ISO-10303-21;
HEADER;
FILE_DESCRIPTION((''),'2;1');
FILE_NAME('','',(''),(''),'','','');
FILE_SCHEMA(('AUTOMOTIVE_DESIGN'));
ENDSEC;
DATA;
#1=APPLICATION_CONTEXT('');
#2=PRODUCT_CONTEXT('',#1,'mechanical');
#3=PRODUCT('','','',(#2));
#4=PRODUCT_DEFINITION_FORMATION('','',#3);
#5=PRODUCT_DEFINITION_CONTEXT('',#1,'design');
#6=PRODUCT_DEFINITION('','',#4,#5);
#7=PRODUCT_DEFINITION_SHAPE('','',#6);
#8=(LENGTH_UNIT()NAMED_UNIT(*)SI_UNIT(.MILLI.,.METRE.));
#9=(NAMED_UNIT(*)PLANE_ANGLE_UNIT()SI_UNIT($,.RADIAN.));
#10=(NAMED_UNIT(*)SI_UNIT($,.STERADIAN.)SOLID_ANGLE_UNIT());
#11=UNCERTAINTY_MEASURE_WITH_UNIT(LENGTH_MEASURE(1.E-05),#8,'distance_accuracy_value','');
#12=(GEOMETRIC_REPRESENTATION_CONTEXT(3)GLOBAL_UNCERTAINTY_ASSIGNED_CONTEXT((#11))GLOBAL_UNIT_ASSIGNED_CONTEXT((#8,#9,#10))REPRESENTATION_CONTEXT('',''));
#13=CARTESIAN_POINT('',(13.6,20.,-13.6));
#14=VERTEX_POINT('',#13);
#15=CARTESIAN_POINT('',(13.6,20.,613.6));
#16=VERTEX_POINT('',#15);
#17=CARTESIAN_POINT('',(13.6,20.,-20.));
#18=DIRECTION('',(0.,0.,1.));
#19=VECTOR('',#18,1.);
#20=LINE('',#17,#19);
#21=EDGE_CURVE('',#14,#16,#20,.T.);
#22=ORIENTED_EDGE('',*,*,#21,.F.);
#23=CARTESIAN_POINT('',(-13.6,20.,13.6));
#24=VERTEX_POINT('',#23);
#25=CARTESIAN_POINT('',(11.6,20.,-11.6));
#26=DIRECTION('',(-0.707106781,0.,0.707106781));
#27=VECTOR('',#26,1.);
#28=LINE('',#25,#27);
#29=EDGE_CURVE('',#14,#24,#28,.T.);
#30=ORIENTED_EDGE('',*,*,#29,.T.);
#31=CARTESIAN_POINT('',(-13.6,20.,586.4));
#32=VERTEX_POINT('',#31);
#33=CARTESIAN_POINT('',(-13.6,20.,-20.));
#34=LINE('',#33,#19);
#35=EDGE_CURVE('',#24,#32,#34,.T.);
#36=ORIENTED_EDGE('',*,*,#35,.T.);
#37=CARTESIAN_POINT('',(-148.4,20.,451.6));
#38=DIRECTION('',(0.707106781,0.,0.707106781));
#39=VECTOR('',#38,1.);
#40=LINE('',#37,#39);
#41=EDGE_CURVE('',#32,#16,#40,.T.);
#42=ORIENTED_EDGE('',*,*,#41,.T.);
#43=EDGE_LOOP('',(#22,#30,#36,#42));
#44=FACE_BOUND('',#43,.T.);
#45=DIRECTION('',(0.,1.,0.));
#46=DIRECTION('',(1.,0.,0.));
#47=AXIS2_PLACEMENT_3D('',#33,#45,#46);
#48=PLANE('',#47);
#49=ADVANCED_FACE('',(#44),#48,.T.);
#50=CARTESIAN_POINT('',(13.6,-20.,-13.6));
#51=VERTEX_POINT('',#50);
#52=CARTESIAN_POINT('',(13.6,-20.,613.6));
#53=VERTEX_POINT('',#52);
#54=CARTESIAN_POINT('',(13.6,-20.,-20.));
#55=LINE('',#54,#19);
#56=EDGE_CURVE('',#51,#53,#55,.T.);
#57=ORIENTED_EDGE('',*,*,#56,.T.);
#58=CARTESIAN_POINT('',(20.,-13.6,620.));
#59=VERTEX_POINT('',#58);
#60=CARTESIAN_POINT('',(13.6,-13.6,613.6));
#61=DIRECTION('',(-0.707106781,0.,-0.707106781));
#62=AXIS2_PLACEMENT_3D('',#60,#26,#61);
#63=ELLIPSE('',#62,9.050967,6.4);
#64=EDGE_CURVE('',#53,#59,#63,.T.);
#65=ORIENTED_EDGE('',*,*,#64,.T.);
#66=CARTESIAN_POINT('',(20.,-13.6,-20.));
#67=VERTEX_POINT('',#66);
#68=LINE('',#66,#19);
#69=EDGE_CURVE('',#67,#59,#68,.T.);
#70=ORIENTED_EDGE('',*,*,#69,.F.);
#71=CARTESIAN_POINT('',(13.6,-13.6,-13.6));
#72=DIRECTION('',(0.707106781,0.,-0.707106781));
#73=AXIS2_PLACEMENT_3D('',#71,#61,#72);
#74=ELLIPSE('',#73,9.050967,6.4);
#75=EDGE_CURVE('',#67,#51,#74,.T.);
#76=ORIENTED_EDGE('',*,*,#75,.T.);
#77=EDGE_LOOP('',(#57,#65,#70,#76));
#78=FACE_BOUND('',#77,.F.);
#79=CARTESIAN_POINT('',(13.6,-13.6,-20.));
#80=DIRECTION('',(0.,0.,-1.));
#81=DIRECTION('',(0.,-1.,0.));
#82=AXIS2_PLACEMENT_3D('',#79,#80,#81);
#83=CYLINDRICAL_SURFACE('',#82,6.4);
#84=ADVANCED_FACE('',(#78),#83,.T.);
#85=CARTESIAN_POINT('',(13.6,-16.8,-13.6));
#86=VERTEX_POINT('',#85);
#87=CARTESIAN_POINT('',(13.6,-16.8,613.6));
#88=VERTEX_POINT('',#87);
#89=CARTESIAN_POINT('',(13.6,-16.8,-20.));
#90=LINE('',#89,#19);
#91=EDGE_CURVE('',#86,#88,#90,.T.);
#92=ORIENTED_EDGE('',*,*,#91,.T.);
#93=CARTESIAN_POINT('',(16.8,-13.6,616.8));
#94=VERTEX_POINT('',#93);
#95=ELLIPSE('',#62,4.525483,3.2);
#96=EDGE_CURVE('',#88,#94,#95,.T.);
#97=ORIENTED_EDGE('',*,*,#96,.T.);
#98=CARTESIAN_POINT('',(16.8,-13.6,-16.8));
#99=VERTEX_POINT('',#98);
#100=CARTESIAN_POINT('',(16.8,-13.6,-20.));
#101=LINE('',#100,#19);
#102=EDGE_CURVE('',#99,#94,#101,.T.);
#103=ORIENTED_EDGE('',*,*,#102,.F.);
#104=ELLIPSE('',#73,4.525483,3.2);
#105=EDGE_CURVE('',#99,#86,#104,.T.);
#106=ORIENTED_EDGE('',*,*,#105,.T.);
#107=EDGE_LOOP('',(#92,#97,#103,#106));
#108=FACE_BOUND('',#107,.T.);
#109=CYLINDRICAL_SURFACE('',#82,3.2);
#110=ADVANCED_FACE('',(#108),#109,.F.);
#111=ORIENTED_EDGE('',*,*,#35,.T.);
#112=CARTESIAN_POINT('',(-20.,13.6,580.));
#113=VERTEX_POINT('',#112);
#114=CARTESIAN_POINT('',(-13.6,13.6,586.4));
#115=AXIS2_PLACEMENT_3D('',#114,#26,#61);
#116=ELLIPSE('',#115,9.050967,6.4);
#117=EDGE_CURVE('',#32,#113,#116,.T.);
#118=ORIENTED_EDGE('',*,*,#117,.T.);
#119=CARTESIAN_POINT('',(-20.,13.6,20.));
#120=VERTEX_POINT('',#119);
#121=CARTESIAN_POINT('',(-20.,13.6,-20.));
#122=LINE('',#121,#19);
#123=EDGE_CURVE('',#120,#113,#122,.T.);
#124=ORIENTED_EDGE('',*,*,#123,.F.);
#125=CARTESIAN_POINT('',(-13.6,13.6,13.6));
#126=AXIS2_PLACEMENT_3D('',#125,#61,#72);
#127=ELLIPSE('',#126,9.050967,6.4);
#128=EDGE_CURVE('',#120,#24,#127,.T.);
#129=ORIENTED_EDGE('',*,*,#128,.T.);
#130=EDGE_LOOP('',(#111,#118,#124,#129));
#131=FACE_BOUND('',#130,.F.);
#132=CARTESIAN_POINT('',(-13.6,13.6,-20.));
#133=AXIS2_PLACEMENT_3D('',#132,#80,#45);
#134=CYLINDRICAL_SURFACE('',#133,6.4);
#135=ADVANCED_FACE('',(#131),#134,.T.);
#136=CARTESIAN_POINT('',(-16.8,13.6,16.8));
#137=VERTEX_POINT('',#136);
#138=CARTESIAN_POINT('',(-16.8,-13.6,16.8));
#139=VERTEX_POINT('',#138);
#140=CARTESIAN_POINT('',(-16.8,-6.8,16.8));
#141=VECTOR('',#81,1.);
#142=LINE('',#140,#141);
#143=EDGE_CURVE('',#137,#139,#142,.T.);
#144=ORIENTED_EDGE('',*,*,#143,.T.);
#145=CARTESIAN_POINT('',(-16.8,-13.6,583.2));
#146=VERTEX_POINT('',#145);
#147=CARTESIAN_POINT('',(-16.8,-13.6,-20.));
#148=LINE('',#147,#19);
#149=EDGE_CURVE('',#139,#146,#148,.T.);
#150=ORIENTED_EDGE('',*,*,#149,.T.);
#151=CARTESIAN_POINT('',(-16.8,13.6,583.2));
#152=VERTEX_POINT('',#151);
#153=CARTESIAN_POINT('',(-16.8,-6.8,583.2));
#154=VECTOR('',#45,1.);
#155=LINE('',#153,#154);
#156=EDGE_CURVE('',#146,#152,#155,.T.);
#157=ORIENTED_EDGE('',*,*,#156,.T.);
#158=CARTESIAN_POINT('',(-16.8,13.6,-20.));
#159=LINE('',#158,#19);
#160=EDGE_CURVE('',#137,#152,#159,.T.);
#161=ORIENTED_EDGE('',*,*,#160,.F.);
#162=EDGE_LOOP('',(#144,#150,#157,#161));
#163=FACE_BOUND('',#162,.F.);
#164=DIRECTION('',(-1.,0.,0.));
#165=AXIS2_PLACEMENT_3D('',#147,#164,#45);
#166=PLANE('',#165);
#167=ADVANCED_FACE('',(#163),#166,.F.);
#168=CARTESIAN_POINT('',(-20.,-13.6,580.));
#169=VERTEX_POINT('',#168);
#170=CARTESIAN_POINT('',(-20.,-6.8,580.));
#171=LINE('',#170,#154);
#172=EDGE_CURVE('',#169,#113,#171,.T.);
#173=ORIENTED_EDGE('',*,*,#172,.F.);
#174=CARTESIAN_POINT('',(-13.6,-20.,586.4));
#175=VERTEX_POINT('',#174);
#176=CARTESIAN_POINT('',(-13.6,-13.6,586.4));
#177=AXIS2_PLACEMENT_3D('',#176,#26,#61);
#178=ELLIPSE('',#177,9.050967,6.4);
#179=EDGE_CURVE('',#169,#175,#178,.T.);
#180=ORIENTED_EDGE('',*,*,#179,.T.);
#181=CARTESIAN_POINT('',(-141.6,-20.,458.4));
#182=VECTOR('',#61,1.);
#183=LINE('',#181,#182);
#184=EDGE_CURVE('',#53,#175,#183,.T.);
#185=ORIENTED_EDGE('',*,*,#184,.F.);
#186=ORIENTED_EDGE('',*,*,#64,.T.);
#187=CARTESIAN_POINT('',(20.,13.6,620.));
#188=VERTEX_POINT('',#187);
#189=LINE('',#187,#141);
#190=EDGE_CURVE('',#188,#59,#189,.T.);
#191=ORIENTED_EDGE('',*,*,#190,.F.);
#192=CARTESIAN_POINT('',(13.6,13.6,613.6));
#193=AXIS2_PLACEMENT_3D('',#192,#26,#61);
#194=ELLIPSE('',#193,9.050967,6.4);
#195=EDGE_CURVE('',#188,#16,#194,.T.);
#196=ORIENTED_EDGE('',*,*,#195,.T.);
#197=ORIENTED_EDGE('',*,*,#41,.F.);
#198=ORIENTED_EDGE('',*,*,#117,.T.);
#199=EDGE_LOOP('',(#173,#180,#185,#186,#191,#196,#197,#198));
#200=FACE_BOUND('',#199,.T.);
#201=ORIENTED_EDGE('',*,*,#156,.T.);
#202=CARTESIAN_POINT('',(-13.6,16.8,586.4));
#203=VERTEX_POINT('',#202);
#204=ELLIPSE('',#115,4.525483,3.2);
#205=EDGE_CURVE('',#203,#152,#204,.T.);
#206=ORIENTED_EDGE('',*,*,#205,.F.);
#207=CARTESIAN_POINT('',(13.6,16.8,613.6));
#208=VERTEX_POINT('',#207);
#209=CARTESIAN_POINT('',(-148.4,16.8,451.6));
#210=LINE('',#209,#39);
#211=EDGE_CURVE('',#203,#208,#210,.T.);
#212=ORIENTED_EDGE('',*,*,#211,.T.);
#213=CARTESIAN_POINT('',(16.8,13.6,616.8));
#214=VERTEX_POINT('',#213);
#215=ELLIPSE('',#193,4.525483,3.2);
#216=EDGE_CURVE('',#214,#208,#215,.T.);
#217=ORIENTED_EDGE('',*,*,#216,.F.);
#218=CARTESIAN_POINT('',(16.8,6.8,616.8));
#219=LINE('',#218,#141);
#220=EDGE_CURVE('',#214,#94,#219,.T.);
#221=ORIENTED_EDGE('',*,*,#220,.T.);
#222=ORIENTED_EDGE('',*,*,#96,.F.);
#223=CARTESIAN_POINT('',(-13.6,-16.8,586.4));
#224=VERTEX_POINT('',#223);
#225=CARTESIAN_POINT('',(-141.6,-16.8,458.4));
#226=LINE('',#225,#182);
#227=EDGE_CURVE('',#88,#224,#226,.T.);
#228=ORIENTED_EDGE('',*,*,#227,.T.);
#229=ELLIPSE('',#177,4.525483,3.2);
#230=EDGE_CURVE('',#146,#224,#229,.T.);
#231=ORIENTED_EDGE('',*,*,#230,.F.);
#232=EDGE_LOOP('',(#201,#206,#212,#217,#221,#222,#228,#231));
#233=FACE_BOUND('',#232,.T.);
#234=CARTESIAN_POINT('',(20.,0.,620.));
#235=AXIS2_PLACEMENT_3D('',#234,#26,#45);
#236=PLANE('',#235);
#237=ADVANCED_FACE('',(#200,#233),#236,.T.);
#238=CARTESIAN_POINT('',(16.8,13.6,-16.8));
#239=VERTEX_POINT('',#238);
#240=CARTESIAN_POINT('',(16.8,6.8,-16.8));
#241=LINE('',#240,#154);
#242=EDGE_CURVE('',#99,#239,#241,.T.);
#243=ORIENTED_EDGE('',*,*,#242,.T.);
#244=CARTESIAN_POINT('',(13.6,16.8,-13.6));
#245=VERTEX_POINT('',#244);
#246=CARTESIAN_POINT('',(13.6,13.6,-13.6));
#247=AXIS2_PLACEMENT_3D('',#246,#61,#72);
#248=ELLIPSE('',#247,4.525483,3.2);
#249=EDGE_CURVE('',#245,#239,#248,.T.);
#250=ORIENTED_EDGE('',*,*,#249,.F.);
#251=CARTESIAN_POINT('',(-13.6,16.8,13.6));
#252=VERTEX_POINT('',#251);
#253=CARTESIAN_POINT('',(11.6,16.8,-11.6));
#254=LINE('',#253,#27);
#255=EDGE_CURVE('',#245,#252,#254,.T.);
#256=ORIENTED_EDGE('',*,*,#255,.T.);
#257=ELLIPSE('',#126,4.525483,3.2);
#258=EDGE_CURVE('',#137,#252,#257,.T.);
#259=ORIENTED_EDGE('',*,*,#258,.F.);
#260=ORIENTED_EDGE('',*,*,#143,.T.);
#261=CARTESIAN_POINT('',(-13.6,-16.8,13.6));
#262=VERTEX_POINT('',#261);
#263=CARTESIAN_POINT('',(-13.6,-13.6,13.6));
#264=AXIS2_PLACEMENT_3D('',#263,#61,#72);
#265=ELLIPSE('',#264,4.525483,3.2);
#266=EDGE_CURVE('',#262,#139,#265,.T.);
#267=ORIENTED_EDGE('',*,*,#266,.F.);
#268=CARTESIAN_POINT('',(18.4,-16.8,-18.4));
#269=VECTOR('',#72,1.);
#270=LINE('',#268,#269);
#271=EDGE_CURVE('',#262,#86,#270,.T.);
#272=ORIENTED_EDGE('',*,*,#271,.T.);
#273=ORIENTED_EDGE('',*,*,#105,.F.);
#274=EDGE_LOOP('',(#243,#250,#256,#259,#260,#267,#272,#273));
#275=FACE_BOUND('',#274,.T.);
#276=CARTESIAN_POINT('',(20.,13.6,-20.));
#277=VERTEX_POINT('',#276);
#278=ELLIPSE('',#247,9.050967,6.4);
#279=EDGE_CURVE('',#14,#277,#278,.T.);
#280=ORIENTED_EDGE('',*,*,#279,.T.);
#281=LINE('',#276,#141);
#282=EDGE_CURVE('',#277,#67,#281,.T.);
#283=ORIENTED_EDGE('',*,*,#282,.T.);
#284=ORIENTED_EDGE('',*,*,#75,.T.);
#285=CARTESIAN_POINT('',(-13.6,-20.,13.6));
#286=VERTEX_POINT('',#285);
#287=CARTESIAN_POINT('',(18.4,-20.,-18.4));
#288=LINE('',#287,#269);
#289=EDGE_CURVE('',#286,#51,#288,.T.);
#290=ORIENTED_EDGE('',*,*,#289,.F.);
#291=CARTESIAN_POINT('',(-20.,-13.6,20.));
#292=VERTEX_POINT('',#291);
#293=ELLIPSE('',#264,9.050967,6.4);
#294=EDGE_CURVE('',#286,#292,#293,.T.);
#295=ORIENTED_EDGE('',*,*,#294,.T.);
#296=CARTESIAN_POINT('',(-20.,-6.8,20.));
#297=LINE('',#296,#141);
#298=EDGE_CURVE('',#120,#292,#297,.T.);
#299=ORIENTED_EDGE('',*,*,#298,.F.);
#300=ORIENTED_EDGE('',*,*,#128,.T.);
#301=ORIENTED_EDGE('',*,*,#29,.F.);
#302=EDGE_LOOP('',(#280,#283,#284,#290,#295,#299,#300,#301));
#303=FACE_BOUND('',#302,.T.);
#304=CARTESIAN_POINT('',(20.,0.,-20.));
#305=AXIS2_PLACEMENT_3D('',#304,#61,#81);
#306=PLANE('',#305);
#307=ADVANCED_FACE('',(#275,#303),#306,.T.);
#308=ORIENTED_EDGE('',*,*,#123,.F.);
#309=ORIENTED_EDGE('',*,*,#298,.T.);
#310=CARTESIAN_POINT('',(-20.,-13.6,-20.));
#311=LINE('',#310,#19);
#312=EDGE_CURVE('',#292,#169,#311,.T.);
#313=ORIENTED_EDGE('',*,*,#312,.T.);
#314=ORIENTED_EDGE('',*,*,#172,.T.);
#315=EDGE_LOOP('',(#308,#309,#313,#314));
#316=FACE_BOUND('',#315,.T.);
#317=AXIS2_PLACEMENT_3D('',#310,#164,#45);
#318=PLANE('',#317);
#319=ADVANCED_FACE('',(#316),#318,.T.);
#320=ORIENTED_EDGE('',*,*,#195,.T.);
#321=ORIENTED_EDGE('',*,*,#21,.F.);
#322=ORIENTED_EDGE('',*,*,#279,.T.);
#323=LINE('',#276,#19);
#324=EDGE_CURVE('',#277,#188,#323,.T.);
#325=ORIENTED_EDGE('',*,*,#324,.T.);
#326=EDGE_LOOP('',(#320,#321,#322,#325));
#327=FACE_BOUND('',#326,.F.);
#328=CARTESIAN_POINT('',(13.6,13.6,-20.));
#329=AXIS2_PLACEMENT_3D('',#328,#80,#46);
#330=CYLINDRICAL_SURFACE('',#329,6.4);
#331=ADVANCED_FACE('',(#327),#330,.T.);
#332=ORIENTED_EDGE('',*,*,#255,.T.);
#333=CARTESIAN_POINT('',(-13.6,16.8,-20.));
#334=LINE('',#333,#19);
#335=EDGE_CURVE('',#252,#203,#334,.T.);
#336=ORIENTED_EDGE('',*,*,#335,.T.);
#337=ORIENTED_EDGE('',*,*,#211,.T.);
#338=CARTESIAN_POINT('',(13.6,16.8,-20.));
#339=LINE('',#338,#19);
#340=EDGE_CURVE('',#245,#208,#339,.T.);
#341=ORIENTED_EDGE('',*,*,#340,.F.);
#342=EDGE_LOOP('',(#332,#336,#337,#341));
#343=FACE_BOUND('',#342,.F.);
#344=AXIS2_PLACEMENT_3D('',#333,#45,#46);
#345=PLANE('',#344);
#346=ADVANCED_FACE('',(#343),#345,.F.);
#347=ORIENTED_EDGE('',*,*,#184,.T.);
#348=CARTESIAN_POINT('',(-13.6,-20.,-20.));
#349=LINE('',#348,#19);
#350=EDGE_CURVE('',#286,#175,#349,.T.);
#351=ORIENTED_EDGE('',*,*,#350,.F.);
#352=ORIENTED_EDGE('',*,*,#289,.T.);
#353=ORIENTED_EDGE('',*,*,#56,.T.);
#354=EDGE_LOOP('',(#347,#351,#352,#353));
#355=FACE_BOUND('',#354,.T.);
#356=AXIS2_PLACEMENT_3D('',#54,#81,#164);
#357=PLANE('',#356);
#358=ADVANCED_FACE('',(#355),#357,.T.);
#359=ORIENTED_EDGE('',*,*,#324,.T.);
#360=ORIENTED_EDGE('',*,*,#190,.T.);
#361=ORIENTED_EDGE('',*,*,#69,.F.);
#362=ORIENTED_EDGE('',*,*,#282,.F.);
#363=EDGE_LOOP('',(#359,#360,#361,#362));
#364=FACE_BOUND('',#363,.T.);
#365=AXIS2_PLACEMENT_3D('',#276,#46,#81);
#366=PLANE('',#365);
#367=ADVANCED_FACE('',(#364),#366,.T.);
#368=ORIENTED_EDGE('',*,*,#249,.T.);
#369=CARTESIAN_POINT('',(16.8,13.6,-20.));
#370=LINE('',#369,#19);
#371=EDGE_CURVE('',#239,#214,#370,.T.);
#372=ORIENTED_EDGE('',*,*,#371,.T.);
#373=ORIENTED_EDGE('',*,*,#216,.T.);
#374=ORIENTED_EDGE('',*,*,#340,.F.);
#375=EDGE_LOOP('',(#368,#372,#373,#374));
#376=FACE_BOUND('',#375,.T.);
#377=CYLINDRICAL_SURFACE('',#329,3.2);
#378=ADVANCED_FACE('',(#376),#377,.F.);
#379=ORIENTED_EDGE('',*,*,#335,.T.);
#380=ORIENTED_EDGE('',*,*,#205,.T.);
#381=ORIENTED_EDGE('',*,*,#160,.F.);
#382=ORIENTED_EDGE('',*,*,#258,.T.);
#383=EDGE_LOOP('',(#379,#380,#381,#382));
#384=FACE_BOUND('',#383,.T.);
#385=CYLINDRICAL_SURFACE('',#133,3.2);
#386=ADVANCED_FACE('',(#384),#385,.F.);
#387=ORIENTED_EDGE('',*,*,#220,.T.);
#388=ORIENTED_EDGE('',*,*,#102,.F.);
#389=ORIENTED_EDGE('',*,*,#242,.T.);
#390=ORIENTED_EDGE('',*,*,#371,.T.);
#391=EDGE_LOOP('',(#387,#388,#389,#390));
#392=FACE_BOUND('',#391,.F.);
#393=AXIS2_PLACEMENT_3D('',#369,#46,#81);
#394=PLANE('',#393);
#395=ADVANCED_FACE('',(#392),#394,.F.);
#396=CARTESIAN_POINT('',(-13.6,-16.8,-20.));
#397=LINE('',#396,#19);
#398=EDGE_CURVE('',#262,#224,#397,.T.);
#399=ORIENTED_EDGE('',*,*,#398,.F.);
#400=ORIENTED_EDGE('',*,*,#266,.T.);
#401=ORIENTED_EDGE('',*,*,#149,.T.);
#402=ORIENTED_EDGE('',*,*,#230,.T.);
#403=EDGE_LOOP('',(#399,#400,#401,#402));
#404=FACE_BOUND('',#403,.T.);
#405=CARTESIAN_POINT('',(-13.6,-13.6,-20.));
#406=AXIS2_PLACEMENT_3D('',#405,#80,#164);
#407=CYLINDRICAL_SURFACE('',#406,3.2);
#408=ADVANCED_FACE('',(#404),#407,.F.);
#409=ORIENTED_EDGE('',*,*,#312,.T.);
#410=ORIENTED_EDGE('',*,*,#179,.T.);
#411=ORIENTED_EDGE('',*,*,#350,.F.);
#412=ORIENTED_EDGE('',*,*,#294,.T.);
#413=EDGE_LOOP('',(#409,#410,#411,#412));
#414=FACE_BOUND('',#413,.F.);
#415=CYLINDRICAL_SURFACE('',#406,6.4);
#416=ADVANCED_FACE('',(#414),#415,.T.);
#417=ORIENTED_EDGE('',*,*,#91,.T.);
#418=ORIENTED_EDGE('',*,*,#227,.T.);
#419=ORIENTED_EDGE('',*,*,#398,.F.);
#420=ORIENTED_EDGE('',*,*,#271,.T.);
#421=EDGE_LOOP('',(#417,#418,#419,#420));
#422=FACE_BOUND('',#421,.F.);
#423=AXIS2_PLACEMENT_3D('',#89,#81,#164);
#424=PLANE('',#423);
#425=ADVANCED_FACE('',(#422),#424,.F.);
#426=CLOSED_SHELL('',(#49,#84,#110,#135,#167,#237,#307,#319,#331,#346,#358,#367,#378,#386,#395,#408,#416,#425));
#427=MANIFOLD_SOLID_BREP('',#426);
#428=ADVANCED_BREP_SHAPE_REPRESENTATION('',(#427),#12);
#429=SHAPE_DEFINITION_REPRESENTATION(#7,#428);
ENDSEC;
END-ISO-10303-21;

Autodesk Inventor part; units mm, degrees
ref_plane "Start plane" through (0, 0, -20) normal (0, 0, 1) x (1, 0, 0)
ref_plane "End plane" through (0, 0, 620) normal (0, 0, 1) x (1, 0, 0)
sketch "Sketch" plane through (0, 0, 0) normal (0, 0, 1) x (1, 0, 0)
  line L0 (-20, -13.6) -> (-20, 13.6)
  line L1 (-13.6, 20) -> (13.6, 20)
  line L2 (20, 13.6) -> (20, -13.6)
  line L3 (13.6, -20) -> (-13.6, -20)
  arc A0 (-20, -13.6) -> (-13.6, -20) centre (-13.6, -13.6) ccw
  arc A1 (-13.6, 20) -> (-20, 13.6) centre (-13.6, 13.6) ccw
  arc A2 (20, 13.6) -> (13.6, 20) centre (13.6, 13.6) ccw
  arc A3 (13.6, -20) -> (20, -13.6) centre (13.6, -13.6) ccw
  arc A4 (-13.6, 16.8) -> (-16.8, 13.6) centre (-13.6, 13.6) ccw
  line L4 (-13.6, 16.8) -> (13.6, 16.8)
  arc A5 (16.8, 13.6) -> (13.6, 16.8) centre (13.6, 13.6) ccw
  line L5 (16.8, 13.6) -> (16.8, -13.6)
  arc A6 (13.6, -16.8) -> (16.8, -13.6) centre (13.6, -13.6) ccw
  line L6 (13.6, -16.8) -> (-13.6, -16.8)
  arc A7 (-16.8, -13.6) -> (-13.6, -16.8) centre (-13.6, -13.6) ccw
  line L7 (-16.8, -13.6) -> (-16.8, 13.6)
  line L8 (0, 29.8557) -> (0, -29.8557) construction
  line L9 (-29.8557, 0) -> (29.8557, 0) construction
  dimension "d7" = 6.4
  dimension "d10" = 40
  dimension "d11" = 40
  dimension "d12" = 3.2
  dimension "d15" = 20
  dimension "d16" = 20
extrude "Body" add sketch "Sketch" along normal up to surface (640 mm away) from surface at -20
sketch "Sketch3" plane through (0, 0, 0) normal (0, 0, 1) x (1, 0, 0)
  line L0 (0, 0) -> (10, 0)
ref_plane "Work Plane3" through (0, 0, 0) normal (0, -1, 0) x (1, 0, 0)
sketch "Sketch4" plane through (0, 0, 0) normal (0, -1, 0) x (1, 0, 0)
  line L0 (-2, -20) -> (12, -20)
  line L1 (-2, 620) -> (12, 620)
  dimension "d18" = 640
ref_plane "Work Plane4" through (20, 0, -20) normal (-0.7071, 0, -0.7071) x (-0.7071, 0, 0.7071)
split "Split1" plane through (20, 0, -20) removes the side toward (-0.7071, 0, -0.7071)
ref_plane "Work Plane5" through (20, 0, 620) normal (-0.7071, 0, 0.7071) x (0.7071, 0, 0.7071)
split "Split2" plane through (20, 0, 620) removes the side toward (-0.7071, 0, 0.7071)
equation "\"d7\" = G_IR"
equation "\"d10\" = G_H"
equation "\"d11\" = G_W"
equation "\"d12\" = G_T"
equation "\"d15\" = 0.5 * d10"
equation "\"d16\" = 0.5 * d11"
equation "\"d3\" = G_L"
equation "\"G_W\" = 40"
equation "\"G_H\" = 40"
equation "\"G_T\" = 3.2"
equation "\"G_IR\" = 6.4"
equation "\"G_L\" = d18"
equation "\"G_OFFSET_START\" = 20"
equation "\"G_OFFSET_END\" = 20"
equation "\"d13\" = -G_OFFSET_START"
equation "\"d14\" = G_OFFSET_END + B_L"
equation "\"B_L\" = 600"
properties part number "BSI 40 x 40 x 3.2 00000001" material "Steel, Mild"
